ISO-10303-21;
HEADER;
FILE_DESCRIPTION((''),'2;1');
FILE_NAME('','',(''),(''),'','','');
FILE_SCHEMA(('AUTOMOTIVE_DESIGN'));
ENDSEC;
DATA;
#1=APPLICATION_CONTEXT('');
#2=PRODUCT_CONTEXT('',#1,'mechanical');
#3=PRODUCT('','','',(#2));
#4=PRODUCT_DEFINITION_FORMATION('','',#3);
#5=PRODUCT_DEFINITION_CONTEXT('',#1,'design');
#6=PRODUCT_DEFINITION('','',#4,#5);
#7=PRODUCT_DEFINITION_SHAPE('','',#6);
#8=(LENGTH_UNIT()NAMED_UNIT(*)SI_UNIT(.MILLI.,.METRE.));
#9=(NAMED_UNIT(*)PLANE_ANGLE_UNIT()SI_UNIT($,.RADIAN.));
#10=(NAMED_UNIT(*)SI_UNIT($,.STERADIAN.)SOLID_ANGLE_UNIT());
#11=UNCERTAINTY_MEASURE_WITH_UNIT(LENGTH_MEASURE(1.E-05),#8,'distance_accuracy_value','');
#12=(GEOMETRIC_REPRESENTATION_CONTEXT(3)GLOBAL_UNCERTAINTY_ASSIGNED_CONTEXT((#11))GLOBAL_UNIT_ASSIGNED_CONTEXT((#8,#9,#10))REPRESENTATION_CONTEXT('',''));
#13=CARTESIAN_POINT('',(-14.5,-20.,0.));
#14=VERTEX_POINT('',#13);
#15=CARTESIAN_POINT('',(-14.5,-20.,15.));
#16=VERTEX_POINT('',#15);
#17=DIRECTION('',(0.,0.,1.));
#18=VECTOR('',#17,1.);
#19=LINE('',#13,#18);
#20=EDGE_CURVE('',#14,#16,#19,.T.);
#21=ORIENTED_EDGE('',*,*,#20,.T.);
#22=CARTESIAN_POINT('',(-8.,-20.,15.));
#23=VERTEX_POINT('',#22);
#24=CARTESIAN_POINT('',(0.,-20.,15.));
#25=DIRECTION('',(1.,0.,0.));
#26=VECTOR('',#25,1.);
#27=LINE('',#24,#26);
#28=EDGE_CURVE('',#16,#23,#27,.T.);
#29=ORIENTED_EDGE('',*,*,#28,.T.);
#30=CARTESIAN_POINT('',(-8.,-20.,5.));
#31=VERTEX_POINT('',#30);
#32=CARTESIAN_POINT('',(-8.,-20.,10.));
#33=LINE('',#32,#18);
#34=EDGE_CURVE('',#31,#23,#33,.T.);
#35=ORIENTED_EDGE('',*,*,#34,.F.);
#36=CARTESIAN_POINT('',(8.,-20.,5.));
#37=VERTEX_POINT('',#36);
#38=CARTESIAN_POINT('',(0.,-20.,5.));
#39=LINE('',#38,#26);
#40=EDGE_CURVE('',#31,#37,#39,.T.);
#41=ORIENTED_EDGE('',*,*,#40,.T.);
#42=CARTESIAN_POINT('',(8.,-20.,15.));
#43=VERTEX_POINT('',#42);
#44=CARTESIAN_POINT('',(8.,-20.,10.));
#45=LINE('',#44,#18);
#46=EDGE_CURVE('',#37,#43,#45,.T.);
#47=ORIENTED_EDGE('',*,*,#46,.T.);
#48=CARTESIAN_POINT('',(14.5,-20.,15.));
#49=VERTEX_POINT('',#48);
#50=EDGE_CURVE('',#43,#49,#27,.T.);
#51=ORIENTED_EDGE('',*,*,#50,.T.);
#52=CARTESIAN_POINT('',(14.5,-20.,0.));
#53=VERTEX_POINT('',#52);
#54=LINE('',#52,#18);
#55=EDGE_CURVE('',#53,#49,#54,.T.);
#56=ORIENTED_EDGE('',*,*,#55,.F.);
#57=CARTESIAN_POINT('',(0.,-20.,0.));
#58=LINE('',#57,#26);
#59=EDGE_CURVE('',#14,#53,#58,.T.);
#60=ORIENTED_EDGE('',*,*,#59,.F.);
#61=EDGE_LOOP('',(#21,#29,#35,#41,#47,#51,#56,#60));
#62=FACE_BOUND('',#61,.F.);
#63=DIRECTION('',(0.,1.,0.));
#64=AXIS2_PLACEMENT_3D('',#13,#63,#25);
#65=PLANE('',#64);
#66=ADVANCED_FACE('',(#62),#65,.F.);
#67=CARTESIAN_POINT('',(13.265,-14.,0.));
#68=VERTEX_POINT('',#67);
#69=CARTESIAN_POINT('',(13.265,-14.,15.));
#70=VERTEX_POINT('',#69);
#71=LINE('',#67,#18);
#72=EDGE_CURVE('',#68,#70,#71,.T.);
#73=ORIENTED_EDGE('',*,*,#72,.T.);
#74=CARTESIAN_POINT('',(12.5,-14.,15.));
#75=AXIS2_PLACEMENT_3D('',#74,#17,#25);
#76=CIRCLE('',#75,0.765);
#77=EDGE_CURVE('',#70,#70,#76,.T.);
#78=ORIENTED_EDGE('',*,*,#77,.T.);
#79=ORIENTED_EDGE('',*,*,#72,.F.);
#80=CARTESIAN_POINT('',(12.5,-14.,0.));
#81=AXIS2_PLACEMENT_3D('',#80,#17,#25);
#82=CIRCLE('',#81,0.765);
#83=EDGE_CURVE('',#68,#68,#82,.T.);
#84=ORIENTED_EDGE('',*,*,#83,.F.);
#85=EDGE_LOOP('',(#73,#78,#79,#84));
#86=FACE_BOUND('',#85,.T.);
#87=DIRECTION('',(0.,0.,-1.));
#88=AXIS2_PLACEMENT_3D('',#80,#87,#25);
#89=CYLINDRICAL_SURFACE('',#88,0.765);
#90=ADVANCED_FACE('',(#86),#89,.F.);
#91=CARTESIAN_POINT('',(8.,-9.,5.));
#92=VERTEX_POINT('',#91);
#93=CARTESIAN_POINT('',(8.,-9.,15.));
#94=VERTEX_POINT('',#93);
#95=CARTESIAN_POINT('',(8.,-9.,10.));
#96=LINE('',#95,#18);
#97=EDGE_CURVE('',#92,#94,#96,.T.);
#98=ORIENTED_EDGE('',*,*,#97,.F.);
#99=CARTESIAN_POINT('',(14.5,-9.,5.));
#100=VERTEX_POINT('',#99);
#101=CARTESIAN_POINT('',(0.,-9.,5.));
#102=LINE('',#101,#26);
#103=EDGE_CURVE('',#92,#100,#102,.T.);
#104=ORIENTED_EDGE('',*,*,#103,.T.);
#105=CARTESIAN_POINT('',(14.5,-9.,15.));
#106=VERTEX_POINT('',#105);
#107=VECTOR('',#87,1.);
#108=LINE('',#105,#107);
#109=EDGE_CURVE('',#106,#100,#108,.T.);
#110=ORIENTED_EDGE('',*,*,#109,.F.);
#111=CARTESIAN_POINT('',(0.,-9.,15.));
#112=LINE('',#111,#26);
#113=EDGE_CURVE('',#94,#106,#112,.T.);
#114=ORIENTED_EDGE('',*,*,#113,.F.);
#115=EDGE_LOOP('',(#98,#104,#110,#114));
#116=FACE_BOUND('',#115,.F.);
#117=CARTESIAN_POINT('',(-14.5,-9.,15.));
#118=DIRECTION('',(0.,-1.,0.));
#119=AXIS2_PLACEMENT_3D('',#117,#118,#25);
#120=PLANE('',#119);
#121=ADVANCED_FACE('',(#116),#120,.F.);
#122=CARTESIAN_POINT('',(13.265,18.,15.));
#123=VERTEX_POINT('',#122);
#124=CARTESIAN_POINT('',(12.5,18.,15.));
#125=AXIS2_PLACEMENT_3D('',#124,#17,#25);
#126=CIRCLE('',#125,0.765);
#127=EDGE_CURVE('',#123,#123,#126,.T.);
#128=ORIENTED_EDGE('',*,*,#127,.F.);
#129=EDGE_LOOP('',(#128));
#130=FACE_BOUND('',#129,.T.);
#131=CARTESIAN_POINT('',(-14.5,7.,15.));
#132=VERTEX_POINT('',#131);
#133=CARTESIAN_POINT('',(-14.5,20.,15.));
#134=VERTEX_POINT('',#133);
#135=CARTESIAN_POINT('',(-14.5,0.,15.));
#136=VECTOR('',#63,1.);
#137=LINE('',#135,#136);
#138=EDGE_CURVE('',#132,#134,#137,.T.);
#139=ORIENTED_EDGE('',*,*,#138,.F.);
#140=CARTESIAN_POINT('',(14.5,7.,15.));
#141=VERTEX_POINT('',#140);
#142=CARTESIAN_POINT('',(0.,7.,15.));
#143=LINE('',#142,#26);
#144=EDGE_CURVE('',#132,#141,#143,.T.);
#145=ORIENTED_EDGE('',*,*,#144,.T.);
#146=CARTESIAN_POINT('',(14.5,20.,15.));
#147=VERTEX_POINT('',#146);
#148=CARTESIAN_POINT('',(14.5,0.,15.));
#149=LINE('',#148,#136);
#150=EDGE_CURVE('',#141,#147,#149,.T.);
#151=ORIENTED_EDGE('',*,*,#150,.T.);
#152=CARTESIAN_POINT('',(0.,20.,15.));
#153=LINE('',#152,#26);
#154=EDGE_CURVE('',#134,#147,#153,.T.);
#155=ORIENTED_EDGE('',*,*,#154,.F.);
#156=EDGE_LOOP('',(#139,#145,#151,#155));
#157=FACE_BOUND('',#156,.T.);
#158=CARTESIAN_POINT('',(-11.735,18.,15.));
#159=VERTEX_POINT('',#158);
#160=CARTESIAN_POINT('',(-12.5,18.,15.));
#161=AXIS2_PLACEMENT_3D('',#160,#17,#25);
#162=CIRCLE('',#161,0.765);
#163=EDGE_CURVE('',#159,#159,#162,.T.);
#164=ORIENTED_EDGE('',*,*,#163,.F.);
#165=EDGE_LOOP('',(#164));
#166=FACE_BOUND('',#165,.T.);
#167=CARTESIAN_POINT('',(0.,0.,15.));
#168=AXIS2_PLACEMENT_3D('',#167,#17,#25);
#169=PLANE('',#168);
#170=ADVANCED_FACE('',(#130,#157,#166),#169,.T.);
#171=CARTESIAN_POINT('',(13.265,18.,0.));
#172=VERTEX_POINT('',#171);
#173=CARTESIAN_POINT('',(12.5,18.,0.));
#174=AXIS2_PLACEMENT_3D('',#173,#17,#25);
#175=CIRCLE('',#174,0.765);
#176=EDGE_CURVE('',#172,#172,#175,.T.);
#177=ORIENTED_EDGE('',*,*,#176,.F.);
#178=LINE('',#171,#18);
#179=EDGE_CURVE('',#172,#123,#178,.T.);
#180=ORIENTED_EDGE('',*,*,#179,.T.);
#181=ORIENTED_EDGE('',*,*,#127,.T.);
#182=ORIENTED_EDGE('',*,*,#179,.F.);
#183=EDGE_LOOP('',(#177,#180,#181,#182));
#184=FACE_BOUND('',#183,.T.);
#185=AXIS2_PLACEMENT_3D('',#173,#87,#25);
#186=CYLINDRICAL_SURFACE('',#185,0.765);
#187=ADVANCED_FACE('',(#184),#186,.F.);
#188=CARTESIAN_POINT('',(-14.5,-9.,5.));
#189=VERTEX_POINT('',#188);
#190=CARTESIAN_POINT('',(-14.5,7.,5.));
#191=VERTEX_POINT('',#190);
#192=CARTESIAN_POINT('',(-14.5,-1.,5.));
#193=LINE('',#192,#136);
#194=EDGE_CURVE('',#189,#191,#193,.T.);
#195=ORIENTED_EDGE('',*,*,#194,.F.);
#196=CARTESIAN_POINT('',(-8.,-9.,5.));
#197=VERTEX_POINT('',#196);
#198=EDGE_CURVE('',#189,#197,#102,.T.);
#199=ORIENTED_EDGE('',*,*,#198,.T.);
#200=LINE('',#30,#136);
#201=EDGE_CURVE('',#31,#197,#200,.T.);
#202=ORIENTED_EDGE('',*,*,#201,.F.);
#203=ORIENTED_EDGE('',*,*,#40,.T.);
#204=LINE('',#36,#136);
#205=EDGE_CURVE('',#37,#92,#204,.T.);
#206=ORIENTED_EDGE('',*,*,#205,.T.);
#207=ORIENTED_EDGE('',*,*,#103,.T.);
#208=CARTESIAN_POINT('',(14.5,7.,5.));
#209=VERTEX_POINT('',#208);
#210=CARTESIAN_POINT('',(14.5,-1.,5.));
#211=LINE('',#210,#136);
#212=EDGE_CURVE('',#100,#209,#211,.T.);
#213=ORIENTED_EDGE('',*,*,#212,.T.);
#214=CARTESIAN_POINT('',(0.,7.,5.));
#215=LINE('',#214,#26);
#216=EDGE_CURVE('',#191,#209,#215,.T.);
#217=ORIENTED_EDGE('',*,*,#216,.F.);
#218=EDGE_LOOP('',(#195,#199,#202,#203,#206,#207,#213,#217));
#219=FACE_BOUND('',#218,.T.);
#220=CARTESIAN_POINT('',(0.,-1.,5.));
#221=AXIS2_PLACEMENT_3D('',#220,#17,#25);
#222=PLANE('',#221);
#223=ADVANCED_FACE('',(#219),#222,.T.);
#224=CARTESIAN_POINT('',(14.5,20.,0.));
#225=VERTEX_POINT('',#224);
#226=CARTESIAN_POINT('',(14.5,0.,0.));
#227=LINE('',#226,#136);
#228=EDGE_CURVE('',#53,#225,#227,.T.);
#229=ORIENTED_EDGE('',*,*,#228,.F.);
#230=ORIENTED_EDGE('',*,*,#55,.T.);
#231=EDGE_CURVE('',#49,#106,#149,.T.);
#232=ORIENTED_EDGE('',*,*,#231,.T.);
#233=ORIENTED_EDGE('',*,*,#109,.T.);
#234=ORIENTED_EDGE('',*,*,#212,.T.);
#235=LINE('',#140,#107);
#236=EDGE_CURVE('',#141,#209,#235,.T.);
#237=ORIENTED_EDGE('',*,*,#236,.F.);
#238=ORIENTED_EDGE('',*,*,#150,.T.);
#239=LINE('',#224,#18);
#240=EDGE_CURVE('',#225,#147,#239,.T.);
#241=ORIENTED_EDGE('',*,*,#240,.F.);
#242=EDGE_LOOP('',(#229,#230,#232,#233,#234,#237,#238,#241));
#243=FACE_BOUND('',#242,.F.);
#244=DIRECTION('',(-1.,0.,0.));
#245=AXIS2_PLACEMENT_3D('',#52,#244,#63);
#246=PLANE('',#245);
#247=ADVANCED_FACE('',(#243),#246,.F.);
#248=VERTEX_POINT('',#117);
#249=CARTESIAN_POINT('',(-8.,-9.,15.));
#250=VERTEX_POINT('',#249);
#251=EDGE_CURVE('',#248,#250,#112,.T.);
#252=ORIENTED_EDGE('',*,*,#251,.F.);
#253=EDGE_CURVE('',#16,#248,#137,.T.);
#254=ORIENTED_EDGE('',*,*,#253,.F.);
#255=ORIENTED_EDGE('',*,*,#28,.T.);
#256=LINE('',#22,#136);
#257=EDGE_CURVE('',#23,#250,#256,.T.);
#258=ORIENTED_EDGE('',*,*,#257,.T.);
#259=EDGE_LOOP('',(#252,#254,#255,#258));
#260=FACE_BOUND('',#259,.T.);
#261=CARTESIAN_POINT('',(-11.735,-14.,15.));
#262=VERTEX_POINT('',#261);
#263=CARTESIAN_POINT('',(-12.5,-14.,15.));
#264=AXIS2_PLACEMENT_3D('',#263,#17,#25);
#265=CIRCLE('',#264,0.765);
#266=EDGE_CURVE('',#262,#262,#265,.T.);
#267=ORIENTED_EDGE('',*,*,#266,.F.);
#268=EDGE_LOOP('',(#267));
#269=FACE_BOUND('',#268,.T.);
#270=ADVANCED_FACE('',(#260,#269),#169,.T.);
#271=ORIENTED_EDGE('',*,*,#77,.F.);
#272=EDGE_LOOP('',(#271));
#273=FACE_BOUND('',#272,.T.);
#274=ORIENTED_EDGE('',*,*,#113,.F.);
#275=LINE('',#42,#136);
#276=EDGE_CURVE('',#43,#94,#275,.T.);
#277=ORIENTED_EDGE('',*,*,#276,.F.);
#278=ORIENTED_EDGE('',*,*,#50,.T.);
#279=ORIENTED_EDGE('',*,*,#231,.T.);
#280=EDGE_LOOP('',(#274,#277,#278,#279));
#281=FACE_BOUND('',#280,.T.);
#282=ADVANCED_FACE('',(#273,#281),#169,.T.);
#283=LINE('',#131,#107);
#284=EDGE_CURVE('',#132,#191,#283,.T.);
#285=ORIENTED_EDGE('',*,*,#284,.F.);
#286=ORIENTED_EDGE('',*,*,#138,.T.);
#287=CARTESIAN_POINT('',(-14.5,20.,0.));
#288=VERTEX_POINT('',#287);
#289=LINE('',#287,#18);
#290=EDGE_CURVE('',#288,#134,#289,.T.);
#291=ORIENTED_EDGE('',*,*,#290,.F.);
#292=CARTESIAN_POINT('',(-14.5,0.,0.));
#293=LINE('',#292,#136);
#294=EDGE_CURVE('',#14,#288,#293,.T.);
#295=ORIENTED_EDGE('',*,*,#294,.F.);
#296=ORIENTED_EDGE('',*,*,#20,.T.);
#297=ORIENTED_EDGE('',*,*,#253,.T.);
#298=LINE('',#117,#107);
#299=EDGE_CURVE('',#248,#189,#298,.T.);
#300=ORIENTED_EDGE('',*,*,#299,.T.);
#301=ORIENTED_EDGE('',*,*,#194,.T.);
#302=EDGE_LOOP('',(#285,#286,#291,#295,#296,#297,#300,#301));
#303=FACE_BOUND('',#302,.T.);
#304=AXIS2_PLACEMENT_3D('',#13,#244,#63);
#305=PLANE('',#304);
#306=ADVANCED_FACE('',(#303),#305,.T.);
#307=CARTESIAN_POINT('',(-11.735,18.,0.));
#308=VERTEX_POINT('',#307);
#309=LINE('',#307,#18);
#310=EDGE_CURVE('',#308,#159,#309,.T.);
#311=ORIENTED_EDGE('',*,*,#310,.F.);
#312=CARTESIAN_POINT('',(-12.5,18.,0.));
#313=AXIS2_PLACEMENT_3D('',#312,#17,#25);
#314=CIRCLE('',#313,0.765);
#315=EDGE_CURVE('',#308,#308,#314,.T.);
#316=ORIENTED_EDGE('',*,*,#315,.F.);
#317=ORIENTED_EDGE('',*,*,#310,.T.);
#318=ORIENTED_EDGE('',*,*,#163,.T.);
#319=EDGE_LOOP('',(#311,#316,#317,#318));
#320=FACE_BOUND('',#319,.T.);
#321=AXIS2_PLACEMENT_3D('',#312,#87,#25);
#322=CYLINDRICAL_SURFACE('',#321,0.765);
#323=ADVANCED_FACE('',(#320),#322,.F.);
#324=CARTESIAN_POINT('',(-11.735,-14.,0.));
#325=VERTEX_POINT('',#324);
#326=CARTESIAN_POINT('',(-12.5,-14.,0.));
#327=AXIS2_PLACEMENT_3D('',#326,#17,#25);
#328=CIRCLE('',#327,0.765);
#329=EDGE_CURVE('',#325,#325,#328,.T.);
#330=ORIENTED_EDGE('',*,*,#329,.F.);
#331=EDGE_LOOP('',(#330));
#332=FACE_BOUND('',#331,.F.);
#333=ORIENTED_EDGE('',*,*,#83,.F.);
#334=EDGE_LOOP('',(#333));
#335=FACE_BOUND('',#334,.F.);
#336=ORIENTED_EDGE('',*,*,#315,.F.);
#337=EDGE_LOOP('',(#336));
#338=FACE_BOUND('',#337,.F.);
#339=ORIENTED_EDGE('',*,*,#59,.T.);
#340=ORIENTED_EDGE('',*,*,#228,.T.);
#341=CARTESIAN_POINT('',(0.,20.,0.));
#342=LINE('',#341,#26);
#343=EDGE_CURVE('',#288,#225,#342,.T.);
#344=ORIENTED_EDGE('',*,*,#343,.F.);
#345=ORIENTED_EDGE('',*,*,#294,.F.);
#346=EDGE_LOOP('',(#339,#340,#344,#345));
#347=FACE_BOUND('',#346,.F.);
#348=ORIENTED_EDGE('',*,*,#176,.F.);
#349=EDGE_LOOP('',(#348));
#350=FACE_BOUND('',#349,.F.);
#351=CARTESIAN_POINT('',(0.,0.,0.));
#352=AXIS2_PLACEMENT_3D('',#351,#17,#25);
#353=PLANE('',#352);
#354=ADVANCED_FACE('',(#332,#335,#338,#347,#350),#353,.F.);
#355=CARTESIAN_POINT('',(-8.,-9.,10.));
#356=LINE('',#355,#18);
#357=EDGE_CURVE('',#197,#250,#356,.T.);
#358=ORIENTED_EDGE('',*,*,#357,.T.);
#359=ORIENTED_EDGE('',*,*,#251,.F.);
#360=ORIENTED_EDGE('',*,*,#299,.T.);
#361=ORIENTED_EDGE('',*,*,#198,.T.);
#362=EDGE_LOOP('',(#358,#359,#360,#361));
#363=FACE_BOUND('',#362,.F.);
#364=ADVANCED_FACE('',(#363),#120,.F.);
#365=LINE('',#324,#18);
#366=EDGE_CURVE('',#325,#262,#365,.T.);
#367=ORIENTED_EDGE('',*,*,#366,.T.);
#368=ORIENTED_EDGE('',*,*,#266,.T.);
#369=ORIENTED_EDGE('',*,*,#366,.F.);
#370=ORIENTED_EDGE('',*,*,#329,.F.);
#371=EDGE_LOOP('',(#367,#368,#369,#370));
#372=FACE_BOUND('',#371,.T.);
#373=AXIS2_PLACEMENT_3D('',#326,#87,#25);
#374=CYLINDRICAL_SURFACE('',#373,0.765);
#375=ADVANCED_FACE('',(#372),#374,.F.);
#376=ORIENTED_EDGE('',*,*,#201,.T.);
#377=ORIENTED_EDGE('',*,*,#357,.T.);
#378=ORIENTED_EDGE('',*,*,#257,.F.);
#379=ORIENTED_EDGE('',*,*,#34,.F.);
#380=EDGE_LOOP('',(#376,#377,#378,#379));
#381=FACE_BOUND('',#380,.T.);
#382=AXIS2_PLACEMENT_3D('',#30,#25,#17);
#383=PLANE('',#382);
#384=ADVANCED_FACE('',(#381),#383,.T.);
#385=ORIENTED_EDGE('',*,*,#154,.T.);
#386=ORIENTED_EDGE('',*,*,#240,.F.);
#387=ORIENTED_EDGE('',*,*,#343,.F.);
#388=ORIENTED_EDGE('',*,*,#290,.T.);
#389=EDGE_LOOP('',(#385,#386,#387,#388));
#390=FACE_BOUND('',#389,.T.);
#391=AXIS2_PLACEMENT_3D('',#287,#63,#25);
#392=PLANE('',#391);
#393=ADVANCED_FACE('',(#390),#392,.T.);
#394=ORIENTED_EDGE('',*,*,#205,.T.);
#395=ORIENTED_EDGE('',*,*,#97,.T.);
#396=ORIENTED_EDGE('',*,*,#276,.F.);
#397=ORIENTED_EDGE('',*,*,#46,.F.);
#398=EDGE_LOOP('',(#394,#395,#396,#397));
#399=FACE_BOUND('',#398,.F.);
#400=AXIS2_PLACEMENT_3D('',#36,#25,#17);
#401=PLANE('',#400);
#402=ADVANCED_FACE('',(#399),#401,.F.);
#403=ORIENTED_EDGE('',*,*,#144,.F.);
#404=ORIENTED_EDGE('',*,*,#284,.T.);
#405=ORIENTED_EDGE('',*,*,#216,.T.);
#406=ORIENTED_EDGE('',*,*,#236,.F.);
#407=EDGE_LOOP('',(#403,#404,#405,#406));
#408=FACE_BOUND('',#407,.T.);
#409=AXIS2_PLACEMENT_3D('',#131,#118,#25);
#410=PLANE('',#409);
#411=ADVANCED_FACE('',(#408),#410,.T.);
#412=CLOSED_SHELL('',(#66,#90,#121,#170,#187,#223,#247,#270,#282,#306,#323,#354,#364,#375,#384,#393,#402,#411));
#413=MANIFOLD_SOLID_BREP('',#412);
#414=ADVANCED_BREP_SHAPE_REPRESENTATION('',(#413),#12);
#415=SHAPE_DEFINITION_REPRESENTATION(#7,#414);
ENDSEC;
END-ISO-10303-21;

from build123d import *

# Parameters (mm, degrees)
F0_W     = 29
F0_H     = 40
F0_R     = 0.765
F1_DEPTH = 15
F2_W     = 29
F2_H     = 16
F3_DEPTH = 10
F4_W     = 16
F4_H     = 10
F5_DEPTH = 25


with BuildPart() as f1:
    # F0 (on Top) → F1 (new body)
    with BuildSketch(Plane.XY):
        Rectangle(F0_W, F0_H)
        with Locations((-12.5, -14)):
            Circle(F0_R, mode=Mode.SUBTRACT)
        with Locations((12.5, -14)):
            Circle(F0_R, mode=Mode.SUBTRACT)
        with Locations((-12.5, 18)):
            Circle(F0_R, mode=Mode.SUBTRACT)
        with Locations((12.5, 18)):
            Circle(F0_R, mode=Mode.SUBTRACT)
    extrude(amount=F1_DEPTH)

    # F2 (on face) → F3 (cut)
    with BuildSketch(Plane.XY.offset(15)):
        with Locations((0, -1)):
            Rectangle(F2_W, F2_H)
    extrude(amount=-F3_DEPTH, mode=Mode.SUBTRACT)

    # F4 (on face) → F5 (cut)
    with BuildSketch(Plane.XZ.offset(20)):
        with Locations((0, 10)):
            Rectangle(F4_W, F4_H)
    extrude(amount=-F5_DEPTH, mode=Mode.SUBTRACT)


solid = f1.part
